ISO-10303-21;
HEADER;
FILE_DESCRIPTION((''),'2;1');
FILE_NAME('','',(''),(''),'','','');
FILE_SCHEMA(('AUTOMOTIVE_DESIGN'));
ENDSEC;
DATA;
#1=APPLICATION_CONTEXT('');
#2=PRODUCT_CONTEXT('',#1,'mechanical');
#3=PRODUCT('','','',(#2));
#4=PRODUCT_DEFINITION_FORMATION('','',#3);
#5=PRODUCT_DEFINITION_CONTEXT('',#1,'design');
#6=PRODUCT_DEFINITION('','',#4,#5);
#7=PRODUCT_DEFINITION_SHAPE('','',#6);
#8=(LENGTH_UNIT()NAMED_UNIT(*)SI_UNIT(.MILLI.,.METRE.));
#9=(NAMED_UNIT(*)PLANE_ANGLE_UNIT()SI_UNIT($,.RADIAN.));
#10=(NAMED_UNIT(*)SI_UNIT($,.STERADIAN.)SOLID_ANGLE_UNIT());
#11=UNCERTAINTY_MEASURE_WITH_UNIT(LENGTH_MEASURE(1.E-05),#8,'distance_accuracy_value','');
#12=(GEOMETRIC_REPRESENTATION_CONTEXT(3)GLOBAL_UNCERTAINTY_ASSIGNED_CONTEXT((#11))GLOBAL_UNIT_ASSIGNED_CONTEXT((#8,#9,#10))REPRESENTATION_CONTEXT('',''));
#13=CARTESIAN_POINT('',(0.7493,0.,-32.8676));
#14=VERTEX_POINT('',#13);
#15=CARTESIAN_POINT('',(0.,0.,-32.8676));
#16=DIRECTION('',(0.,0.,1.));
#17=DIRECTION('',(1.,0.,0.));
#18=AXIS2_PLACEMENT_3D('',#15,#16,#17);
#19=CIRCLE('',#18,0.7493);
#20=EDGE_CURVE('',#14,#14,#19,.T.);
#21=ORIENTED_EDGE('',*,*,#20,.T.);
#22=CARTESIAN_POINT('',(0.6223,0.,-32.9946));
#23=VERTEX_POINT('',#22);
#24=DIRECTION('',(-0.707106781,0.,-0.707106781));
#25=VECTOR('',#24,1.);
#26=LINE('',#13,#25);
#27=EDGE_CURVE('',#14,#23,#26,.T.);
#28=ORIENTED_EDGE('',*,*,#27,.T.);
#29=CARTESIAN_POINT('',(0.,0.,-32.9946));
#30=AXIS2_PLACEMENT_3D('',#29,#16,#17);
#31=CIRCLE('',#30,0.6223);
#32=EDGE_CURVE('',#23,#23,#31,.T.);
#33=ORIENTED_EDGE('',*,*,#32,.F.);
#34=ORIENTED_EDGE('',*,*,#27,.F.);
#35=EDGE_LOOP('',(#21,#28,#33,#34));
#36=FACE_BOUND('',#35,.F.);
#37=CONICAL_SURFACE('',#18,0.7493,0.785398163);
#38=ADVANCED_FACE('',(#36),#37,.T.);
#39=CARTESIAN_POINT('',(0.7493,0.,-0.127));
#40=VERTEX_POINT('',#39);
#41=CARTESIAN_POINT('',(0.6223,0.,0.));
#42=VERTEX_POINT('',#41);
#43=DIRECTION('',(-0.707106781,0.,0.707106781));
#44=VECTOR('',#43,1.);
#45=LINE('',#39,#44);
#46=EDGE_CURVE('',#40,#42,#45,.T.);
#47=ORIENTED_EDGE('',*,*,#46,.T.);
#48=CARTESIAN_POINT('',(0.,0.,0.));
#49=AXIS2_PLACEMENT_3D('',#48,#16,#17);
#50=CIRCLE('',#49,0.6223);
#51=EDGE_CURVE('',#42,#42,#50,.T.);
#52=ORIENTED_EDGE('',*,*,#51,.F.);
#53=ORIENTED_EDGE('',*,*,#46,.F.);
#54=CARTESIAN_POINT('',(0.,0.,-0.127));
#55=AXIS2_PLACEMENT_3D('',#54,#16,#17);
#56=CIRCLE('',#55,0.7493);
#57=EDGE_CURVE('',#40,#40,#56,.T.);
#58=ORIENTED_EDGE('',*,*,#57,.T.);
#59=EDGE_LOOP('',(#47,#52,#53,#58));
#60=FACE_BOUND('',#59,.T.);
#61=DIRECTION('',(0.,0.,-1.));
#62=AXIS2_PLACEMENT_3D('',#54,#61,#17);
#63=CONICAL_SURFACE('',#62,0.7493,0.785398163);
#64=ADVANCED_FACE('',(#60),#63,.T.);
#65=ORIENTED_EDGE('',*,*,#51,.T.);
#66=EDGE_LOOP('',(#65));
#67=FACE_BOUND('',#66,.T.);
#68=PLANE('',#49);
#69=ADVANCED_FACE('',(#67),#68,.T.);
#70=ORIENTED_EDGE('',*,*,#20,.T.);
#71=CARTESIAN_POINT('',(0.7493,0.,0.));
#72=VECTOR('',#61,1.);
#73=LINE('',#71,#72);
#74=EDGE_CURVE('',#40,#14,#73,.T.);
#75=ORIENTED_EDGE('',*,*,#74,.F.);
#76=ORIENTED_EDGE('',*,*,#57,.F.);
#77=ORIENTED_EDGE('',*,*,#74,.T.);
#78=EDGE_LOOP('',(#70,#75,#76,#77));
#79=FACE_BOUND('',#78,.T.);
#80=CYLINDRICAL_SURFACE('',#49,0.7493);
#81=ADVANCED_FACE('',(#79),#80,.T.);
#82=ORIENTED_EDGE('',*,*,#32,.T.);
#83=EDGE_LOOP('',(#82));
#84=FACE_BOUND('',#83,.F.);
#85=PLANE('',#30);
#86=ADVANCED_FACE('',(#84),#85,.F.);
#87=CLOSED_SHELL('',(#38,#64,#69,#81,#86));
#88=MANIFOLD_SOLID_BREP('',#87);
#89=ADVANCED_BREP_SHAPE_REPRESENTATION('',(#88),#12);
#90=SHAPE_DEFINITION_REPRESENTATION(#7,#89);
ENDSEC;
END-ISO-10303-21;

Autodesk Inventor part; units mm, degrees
ref_plane "YZ Plane" through (0, 0, 0) normal (1, 0, 0) x (0, 1, 0)
ref_plane "XZ Plane" through (0, 0, 0) normal (0, 1, 0) x (-1, 0, 0)
ref_plane "XY Plane" through (0, 0, 0) normal (0, 0, 1) x (1, 0, 0)
sketch "Sketch1" plane through (0, 0, 0) normal (0, 0, 1) x (1, 0, 0)
  circle A0 centre (0, 0) radius 0.7493
  dimension "d0" = 1.4986
extrude "Extrusion1" add sketch "Sketch1" against normal blind 32.9946
chamfer "Chamfer1" distance 0.127 angle 45 2 edges at (-0.7493, 0, 0) (-0.7493, 0, -32.9946)
properties part number "276-2181-009 Rev1" material "Steel"
